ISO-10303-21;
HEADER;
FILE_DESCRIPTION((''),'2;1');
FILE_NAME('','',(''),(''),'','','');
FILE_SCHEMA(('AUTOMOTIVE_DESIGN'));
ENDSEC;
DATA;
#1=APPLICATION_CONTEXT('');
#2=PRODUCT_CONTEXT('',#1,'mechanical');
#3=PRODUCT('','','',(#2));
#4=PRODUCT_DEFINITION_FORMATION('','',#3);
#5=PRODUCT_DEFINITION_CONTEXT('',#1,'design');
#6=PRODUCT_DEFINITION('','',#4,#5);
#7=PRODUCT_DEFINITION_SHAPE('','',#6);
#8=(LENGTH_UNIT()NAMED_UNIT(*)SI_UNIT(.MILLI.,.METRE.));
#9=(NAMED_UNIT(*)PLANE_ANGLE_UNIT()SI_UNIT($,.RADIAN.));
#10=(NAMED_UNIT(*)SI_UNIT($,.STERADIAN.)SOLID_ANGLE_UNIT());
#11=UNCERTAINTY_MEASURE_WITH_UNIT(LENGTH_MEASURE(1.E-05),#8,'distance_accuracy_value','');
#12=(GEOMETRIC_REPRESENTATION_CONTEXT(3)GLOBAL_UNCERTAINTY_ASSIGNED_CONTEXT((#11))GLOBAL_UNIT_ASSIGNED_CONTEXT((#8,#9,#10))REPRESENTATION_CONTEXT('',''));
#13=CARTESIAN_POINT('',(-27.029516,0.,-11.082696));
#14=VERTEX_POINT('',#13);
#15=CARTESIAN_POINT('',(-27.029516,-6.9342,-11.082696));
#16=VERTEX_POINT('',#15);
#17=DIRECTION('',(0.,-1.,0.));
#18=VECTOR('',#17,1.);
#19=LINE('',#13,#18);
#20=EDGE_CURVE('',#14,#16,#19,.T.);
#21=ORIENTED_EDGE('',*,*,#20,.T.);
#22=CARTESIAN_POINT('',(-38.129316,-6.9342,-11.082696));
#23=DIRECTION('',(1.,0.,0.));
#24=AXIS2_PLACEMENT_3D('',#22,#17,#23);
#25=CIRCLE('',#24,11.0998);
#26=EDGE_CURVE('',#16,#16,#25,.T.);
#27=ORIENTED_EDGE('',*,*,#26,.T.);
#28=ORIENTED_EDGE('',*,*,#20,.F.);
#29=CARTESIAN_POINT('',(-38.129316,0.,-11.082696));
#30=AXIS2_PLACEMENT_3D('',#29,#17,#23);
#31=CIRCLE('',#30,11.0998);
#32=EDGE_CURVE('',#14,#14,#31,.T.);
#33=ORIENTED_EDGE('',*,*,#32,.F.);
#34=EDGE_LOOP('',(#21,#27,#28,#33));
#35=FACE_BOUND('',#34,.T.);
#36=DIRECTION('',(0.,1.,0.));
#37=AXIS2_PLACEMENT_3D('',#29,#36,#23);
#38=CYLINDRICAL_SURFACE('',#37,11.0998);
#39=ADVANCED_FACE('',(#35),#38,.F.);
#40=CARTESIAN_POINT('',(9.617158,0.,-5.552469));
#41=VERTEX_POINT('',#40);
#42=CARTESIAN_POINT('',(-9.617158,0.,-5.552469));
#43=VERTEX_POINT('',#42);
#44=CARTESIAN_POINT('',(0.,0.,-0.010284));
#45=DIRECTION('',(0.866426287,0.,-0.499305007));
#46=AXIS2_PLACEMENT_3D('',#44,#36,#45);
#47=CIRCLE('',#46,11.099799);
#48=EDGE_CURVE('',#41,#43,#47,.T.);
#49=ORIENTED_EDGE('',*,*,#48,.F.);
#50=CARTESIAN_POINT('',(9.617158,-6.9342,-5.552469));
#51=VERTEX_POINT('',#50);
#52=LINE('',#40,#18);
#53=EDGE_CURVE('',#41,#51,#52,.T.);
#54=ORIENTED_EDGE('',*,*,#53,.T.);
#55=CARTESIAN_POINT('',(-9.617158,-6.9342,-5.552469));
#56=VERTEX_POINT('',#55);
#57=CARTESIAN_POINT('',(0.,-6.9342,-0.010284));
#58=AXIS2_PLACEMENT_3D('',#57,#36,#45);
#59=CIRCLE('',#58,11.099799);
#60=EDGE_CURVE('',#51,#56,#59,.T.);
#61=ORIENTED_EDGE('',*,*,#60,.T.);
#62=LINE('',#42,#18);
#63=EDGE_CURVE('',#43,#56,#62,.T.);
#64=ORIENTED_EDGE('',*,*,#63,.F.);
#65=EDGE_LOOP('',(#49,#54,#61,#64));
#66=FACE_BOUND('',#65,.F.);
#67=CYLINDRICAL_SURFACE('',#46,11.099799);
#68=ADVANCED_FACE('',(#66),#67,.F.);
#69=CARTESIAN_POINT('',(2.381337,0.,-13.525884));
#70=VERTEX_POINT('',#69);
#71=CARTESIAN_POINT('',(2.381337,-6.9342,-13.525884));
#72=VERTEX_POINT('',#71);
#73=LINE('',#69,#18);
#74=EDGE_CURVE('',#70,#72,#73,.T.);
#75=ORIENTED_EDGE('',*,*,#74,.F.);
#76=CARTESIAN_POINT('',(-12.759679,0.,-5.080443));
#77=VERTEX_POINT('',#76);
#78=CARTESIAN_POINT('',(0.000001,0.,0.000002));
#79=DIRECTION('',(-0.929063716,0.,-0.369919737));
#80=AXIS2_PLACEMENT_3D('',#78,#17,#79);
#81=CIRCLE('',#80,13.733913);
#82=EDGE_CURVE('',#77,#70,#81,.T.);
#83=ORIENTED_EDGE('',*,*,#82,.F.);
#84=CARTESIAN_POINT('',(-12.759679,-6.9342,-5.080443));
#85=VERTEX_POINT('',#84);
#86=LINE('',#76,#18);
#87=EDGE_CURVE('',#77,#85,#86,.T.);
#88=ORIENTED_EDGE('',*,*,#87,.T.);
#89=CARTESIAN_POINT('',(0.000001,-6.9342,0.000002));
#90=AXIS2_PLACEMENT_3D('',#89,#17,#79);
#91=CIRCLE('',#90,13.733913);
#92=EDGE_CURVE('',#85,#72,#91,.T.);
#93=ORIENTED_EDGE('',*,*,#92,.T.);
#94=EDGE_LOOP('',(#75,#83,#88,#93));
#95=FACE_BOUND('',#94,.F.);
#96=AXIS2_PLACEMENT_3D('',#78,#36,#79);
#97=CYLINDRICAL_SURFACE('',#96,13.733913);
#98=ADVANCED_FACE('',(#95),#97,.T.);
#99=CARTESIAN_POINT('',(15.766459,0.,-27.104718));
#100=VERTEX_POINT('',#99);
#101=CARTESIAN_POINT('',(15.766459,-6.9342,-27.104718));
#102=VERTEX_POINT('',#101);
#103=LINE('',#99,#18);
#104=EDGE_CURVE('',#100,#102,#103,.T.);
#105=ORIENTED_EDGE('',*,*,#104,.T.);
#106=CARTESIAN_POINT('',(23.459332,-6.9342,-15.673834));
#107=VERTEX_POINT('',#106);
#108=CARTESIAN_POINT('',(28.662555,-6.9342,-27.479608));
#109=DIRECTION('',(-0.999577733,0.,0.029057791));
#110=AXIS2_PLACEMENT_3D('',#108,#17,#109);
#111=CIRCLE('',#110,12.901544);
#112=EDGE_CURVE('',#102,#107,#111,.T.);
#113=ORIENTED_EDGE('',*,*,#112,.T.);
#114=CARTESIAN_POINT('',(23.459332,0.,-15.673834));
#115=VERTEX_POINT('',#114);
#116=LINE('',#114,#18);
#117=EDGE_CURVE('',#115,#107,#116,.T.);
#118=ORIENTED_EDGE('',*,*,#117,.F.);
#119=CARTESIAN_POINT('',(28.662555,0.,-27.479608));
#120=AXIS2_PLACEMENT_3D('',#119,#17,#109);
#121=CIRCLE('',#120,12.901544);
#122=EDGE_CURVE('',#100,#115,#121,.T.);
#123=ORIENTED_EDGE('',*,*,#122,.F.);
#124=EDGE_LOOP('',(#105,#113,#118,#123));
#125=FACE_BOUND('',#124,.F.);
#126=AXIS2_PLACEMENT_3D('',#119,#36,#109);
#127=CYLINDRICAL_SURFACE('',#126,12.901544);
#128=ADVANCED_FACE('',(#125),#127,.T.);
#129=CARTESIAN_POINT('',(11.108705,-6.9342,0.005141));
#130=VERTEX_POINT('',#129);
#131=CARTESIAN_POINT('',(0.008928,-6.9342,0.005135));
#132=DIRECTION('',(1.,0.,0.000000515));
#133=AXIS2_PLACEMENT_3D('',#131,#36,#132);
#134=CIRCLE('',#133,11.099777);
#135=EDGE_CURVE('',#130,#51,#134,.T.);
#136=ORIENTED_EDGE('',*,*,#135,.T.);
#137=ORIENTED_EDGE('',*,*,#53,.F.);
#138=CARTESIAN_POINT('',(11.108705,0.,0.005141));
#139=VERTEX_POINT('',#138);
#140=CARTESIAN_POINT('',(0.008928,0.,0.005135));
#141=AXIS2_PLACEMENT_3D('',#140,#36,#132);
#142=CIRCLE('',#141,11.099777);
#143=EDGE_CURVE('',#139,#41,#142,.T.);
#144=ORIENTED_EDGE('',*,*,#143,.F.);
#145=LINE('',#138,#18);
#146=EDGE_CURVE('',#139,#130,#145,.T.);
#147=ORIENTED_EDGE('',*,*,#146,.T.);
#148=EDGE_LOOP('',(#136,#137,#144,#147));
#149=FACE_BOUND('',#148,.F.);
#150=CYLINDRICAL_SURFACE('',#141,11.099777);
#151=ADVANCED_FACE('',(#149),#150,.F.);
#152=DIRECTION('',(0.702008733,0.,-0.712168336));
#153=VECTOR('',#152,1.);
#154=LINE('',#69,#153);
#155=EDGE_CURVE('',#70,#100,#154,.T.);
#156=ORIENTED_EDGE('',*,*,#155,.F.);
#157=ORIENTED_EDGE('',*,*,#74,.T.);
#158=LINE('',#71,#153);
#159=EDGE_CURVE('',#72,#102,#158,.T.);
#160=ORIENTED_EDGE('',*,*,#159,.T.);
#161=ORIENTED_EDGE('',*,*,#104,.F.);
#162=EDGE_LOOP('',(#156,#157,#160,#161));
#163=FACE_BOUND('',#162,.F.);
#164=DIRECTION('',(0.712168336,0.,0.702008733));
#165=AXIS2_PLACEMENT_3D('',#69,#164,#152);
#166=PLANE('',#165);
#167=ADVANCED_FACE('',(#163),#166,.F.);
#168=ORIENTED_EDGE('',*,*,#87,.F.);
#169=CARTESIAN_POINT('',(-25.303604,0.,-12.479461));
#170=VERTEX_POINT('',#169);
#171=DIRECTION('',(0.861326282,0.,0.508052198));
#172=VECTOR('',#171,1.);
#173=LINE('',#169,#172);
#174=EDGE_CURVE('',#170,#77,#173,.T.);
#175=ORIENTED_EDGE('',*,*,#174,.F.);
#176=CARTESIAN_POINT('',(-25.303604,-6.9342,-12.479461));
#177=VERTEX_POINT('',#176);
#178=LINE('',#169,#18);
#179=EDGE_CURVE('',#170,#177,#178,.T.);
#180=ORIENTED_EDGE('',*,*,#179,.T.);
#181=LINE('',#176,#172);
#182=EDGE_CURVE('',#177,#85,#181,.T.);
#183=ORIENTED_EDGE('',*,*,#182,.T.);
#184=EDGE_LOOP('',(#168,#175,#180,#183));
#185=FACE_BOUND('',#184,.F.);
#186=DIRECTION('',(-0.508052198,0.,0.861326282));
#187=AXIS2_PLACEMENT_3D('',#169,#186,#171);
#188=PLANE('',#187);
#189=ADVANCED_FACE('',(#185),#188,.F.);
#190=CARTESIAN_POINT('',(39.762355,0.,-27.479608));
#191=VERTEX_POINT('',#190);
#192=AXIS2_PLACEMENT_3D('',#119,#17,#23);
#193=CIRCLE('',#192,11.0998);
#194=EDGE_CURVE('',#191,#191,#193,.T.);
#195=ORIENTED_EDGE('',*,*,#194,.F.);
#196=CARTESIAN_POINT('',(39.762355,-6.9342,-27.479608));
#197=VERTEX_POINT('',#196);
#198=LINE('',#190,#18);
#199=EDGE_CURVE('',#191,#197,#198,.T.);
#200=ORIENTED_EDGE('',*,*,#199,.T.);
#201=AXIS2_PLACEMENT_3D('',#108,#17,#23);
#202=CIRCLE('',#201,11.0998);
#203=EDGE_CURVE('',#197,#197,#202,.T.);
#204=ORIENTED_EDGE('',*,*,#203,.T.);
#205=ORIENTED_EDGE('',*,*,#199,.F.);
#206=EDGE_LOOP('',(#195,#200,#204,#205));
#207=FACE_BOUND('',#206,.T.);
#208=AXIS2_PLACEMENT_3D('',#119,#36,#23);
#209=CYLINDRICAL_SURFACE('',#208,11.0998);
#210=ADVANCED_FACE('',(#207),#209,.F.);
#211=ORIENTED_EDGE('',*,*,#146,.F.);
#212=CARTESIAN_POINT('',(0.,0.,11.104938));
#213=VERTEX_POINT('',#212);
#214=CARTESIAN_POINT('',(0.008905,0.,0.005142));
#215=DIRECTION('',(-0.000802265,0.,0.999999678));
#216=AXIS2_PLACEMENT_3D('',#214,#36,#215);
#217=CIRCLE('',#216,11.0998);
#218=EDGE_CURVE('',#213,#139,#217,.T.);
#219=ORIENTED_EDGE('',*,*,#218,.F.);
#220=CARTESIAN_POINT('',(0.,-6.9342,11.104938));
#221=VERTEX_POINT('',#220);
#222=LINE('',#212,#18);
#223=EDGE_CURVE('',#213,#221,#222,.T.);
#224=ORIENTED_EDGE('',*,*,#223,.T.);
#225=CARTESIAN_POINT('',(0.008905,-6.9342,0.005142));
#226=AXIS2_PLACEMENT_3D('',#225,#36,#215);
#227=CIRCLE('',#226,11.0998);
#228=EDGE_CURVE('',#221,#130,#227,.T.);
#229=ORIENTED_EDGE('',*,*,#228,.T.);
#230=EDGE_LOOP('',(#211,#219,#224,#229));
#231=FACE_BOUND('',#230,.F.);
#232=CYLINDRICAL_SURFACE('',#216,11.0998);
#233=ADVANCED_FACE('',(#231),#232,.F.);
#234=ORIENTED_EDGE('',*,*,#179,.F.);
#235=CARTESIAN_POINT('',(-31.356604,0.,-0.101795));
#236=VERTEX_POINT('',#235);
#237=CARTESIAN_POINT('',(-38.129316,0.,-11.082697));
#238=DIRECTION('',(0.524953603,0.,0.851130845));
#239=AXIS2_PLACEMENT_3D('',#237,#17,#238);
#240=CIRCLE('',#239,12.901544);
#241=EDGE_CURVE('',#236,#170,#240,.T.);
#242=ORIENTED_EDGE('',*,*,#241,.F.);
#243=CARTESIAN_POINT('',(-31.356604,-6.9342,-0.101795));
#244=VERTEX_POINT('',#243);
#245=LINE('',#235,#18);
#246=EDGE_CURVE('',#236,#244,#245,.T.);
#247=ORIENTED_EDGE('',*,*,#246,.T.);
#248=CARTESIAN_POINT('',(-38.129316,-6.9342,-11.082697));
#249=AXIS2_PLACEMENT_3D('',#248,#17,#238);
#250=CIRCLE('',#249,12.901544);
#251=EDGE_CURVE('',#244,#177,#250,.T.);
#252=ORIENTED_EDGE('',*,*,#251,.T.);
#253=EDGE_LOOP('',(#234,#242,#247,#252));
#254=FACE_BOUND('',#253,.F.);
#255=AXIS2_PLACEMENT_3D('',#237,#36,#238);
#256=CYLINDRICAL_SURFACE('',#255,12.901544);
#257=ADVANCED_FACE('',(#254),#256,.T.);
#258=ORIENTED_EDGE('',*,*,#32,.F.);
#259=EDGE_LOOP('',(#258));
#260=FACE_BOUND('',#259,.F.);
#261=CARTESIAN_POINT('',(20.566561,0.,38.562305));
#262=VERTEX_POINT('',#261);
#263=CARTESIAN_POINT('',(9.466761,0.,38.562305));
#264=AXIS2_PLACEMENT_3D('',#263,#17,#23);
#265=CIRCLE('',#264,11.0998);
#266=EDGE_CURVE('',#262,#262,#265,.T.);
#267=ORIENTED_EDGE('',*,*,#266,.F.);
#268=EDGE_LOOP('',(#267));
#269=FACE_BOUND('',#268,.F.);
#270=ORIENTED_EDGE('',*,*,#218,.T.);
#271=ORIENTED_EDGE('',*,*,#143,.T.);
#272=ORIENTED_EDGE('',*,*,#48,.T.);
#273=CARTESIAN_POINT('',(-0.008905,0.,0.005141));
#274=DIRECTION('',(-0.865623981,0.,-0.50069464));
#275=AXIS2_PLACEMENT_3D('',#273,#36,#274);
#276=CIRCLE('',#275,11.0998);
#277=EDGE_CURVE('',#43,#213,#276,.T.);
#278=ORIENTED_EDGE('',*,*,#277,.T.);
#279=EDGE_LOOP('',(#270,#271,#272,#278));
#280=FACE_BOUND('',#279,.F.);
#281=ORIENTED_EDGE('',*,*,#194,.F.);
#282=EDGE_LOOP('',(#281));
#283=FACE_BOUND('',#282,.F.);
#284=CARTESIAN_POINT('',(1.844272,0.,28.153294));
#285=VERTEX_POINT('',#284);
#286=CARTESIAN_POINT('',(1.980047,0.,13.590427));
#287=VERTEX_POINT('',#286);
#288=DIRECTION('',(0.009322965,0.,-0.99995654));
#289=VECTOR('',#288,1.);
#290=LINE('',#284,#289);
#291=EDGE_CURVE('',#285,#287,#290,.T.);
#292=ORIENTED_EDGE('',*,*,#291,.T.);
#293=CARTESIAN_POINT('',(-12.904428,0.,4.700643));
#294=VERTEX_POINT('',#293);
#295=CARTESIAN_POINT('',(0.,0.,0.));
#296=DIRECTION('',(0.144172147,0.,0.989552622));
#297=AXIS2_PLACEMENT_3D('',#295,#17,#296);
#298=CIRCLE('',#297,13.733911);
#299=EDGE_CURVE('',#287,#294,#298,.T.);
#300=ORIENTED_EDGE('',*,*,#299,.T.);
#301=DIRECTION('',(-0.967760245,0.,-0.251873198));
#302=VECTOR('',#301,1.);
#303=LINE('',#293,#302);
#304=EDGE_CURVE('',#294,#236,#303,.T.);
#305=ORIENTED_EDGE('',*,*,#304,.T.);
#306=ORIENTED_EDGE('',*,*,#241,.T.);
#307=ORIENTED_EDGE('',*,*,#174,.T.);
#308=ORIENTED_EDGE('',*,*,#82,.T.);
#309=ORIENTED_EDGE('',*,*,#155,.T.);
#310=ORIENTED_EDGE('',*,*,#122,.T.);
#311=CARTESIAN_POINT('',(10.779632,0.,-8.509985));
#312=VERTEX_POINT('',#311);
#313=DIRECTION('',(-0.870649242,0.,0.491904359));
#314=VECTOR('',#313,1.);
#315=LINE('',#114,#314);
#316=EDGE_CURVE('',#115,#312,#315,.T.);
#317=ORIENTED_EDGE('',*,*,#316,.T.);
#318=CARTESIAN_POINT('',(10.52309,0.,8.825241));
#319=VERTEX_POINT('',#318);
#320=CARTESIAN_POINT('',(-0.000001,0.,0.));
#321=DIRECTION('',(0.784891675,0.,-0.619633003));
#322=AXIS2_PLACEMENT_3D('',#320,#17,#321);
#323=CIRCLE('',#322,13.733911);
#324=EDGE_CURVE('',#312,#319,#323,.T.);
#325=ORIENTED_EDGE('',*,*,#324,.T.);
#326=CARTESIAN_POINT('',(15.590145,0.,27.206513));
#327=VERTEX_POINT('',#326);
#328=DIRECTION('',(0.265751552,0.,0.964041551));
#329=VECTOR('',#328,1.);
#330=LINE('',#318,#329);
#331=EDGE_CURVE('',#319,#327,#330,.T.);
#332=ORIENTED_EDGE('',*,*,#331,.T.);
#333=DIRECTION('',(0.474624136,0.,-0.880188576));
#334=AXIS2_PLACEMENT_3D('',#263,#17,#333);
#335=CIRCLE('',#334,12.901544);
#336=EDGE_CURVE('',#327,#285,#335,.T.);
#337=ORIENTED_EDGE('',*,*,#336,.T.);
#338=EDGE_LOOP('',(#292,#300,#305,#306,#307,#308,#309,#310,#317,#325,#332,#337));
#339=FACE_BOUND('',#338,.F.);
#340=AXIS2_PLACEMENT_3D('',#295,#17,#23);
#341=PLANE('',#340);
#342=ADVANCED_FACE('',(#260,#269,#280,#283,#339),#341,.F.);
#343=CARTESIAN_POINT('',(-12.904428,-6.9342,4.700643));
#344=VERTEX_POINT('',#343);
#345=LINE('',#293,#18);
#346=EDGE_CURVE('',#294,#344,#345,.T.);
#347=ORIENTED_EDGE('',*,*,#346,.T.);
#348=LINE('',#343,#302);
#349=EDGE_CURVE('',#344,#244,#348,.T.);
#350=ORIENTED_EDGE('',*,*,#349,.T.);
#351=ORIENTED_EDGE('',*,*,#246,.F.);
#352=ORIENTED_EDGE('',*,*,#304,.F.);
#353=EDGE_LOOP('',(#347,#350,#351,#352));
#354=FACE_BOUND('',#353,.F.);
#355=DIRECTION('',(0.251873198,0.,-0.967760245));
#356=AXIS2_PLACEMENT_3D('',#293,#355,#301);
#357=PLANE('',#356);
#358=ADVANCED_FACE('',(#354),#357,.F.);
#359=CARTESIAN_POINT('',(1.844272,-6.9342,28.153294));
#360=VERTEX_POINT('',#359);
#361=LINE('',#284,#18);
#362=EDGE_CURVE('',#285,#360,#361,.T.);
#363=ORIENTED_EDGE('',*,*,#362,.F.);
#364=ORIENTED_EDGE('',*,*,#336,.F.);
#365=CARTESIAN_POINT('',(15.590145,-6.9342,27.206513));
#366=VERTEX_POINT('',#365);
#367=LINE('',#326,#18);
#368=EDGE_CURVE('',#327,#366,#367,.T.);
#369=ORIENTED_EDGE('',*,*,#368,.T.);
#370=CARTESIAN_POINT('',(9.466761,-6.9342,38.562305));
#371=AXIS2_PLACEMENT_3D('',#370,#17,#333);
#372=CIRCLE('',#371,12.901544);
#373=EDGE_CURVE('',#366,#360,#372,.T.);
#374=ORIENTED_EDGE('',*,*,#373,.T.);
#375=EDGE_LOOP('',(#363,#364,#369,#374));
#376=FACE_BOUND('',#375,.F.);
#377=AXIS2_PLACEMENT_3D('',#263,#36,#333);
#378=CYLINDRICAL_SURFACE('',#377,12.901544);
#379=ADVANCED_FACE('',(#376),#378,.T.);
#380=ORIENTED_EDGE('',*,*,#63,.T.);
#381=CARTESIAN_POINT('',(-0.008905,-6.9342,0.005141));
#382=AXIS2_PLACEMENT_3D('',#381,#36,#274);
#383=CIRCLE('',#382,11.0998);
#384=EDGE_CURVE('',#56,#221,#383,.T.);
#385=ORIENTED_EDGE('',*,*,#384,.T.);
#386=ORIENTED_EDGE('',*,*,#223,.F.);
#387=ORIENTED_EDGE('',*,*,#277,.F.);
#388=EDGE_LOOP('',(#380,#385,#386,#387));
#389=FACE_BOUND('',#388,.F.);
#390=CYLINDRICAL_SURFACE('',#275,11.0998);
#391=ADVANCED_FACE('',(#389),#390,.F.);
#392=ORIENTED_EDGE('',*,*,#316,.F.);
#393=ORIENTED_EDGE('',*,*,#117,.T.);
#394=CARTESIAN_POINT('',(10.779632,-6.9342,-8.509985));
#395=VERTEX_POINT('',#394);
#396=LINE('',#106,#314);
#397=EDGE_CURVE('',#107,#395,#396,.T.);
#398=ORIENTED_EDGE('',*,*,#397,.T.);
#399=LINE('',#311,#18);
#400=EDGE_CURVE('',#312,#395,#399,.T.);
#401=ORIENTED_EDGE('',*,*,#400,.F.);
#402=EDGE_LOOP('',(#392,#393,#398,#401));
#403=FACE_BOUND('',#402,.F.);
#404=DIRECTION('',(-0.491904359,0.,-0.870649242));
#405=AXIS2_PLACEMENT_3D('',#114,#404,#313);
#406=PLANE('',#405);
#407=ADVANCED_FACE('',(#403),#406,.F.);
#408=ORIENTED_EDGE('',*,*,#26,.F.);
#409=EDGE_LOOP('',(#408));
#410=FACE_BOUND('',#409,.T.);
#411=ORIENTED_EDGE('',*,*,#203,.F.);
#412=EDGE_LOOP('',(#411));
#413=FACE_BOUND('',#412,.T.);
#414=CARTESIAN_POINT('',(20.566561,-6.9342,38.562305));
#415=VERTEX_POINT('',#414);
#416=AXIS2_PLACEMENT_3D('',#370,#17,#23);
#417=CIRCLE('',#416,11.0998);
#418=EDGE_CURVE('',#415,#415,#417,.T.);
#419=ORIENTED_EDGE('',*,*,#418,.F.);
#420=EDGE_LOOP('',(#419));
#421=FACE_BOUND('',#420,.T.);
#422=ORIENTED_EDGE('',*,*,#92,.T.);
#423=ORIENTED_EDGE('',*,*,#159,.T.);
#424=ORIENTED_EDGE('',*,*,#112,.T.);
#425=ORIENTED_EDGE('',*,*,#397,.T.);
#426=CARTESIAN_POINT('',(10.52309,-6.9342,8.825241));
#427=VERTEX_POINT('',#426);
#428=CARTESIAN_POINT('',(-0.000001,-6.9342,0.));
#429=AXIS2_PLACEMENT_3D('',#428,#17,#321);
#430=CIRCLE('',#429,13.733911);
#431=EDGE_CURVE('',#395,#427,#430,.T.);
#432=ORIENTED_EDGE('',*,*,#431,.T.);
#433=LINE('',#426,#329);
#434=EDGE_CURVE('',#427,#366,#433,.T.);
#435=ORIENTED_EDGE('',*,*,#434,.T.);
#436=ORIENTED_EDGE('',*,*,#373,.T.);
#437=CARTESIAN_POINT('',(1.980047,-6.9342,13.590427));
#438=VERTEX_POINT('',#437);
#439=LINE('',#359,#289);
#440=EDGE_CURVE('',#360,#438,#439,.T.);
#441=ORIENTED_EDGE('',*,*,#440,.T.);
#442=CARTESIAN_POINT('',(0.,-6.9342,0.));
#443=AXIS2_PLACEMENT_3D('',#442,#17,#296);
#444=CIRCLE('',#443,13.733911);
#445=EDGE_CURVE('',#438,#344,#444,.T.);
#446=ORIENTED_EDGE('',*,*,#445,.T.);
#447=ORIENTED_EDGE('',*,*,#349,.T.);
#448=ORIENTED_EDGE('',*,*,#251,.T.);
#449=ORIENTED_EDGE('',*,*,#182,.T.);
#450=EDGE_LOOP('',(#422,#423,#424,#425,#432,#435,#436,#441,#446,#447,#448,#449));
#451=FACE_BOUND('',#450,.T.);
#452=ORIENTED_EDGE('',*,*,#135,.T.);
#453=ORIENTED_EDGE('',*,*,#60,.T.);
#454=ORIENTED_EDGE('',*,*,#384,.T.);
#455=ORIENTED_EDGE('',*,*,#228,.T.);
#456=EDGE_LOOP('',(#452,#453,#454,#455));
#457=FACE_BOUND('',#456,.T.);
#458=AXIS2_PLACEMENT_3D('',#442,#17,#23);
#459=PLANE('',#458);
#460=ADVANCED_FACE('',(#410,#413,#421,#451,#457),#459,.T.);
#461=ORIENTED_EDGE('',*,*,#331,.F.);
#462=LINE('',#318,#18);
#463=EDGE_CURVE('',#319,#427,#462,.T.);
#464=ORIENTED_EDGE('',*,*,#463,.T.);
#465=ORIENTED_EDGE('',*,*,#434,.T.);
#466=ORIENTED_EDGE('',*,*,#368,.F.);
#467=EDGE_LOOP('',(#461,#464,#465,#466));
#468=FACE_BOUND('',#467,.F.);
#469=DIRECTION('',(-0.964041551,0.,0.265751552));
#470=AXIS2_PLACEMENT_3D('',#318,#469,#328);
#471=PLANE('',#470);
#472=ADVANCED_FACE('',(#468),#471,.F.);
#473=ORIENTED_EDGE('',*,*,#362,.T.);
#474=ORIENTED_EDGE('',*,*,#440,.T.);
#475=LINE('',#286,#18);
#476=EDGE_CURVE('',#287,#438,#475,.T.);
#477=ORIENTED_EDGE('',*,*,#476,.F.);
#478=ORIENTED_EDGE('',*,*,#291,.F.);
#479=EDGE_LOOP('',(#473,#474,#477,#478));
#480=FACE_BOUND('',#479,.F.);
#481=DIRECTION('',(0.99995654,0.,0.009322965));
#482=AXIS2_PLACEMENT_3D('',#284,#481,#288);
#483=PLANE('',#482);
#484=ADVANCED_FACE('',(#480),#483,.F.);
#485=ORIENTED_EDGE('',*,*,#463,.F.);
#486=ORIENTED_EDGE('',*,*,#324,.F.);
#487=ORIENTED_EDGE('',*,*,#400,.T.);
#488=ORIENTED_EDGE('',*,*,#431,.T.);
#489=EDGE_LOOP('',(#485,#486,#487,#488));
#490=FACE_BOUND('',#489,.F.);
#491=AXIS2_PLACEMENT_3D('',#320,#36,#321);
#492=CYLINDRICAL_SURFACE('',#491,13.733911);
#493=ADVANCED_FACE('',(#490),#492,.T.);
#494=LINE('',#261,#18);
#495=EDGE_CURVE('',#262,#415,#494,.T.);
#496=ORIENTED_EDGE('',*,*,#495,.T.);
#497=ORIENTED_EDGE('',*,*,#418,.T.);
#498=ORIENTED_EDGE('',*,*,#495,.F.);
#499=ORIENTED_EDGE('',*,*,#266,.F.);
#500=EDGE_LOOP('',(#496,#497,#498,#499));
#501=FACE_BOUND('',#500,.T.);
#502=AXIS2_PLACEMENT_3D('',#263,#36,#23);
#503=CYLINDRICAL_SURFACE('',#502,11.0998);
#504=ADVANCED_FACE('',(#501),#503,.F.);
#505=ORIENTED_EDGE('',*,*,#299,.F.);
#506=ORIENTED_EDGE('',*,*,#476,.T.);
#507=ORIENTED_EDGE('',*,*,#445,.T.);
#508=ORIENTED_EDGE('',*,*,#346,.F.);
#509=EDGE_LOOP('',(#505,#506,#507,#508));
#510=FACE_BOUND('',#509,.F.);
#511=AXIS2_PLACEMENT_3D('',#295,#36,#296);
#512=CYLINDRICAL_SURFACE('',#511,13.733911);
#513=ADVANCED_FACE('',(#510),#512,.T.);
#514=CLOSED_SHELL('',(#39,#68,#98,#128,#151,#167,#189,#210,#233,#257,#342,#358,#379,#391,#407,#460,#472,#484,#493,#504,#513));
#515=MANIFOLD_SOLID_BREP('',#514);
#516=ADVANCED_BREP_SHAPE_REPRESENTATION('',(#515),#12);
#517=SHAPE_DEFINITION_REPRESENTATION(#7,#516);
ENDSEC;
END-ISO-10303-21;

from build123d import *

# Parameters (mm, degrees)
F0_R     = 11.0998
F1_DEPTH = 6.9342


with BuildPart() as f1:
    # F0 (on Front) → F1 (new body)
    with BuildSketch(Plane.XZ):
        with BuildLine():
            ThreePointArc((15.766459, -27.104718), (39.365948, -34.682887), (23.459332, -15.673834))
            Line((23.459332, -15.673834), (10.779632, -8.509985))
            ThreePointArc((10.779632, -8.509985), (13.732407, 0.203224), (10.52309, 8.825241))
            Line((10.52309, 8.825241), (15.590145, 27.206513))
            ThreePointArc((15.590145, 27.206513), (10.353287, 51.433354), (1.844272, 28.153294))
            Line((1.844272, 28.153294), (1.980047, 13.590427))
            ThreePointArc((1.980047, 13.590427), (-7.042201, 11.791001), (-12.904428, 4.700643))
            Line((-12.904428, 4.700643), (-31.356604, -0.101795))
            ThreePointArc((-31.356604, -0.101795), (-49.719235, -16.750467), (-25.303604, -12.479461))
            Line((-25.303604, -12.479461), (-12.759679, -5.080443))
            ThreePointArc((-12.759679, -5.080443), (-6.690206, -11.994225), (2.381337, -13.525884))
            Line((2.381337, -13.525884), (15.766459, -27.104718))
        make_face()
        with Locations((-38.129316, -11.082696)):
            Circle(F0_R, mode=Mode.SUBTRACT)
        with Locations((28.662555, -27.479608)):
            Circle(F0_R, mode=Mode.SUBTRACT)
        with BuildLine():
            ThreePointArc((11.108705, 0.005141), (10.729336, -2.871999), (9.617158, -5.552469))
            ThreePointArc((9.617158, -5.552469), (0, -11.110083), (-9.617158, -5.552469))
            ThreePointArc((-9.617158, -5.552469), (-9.621614, 5.555041), (0, 11.104938))
            ThreePointArc((0, 11.104938), (7.8545, 7.857033), (11.108705, 0.005141))
        make_face(mode=Mode.SUBTRACT)
        with Locations((9.466761, 38.562305)):
            Circle(F0_R, mode=Mode.SUBTRACT)
    extrude(amount=F1_DEPTH)


solid = f1.part
